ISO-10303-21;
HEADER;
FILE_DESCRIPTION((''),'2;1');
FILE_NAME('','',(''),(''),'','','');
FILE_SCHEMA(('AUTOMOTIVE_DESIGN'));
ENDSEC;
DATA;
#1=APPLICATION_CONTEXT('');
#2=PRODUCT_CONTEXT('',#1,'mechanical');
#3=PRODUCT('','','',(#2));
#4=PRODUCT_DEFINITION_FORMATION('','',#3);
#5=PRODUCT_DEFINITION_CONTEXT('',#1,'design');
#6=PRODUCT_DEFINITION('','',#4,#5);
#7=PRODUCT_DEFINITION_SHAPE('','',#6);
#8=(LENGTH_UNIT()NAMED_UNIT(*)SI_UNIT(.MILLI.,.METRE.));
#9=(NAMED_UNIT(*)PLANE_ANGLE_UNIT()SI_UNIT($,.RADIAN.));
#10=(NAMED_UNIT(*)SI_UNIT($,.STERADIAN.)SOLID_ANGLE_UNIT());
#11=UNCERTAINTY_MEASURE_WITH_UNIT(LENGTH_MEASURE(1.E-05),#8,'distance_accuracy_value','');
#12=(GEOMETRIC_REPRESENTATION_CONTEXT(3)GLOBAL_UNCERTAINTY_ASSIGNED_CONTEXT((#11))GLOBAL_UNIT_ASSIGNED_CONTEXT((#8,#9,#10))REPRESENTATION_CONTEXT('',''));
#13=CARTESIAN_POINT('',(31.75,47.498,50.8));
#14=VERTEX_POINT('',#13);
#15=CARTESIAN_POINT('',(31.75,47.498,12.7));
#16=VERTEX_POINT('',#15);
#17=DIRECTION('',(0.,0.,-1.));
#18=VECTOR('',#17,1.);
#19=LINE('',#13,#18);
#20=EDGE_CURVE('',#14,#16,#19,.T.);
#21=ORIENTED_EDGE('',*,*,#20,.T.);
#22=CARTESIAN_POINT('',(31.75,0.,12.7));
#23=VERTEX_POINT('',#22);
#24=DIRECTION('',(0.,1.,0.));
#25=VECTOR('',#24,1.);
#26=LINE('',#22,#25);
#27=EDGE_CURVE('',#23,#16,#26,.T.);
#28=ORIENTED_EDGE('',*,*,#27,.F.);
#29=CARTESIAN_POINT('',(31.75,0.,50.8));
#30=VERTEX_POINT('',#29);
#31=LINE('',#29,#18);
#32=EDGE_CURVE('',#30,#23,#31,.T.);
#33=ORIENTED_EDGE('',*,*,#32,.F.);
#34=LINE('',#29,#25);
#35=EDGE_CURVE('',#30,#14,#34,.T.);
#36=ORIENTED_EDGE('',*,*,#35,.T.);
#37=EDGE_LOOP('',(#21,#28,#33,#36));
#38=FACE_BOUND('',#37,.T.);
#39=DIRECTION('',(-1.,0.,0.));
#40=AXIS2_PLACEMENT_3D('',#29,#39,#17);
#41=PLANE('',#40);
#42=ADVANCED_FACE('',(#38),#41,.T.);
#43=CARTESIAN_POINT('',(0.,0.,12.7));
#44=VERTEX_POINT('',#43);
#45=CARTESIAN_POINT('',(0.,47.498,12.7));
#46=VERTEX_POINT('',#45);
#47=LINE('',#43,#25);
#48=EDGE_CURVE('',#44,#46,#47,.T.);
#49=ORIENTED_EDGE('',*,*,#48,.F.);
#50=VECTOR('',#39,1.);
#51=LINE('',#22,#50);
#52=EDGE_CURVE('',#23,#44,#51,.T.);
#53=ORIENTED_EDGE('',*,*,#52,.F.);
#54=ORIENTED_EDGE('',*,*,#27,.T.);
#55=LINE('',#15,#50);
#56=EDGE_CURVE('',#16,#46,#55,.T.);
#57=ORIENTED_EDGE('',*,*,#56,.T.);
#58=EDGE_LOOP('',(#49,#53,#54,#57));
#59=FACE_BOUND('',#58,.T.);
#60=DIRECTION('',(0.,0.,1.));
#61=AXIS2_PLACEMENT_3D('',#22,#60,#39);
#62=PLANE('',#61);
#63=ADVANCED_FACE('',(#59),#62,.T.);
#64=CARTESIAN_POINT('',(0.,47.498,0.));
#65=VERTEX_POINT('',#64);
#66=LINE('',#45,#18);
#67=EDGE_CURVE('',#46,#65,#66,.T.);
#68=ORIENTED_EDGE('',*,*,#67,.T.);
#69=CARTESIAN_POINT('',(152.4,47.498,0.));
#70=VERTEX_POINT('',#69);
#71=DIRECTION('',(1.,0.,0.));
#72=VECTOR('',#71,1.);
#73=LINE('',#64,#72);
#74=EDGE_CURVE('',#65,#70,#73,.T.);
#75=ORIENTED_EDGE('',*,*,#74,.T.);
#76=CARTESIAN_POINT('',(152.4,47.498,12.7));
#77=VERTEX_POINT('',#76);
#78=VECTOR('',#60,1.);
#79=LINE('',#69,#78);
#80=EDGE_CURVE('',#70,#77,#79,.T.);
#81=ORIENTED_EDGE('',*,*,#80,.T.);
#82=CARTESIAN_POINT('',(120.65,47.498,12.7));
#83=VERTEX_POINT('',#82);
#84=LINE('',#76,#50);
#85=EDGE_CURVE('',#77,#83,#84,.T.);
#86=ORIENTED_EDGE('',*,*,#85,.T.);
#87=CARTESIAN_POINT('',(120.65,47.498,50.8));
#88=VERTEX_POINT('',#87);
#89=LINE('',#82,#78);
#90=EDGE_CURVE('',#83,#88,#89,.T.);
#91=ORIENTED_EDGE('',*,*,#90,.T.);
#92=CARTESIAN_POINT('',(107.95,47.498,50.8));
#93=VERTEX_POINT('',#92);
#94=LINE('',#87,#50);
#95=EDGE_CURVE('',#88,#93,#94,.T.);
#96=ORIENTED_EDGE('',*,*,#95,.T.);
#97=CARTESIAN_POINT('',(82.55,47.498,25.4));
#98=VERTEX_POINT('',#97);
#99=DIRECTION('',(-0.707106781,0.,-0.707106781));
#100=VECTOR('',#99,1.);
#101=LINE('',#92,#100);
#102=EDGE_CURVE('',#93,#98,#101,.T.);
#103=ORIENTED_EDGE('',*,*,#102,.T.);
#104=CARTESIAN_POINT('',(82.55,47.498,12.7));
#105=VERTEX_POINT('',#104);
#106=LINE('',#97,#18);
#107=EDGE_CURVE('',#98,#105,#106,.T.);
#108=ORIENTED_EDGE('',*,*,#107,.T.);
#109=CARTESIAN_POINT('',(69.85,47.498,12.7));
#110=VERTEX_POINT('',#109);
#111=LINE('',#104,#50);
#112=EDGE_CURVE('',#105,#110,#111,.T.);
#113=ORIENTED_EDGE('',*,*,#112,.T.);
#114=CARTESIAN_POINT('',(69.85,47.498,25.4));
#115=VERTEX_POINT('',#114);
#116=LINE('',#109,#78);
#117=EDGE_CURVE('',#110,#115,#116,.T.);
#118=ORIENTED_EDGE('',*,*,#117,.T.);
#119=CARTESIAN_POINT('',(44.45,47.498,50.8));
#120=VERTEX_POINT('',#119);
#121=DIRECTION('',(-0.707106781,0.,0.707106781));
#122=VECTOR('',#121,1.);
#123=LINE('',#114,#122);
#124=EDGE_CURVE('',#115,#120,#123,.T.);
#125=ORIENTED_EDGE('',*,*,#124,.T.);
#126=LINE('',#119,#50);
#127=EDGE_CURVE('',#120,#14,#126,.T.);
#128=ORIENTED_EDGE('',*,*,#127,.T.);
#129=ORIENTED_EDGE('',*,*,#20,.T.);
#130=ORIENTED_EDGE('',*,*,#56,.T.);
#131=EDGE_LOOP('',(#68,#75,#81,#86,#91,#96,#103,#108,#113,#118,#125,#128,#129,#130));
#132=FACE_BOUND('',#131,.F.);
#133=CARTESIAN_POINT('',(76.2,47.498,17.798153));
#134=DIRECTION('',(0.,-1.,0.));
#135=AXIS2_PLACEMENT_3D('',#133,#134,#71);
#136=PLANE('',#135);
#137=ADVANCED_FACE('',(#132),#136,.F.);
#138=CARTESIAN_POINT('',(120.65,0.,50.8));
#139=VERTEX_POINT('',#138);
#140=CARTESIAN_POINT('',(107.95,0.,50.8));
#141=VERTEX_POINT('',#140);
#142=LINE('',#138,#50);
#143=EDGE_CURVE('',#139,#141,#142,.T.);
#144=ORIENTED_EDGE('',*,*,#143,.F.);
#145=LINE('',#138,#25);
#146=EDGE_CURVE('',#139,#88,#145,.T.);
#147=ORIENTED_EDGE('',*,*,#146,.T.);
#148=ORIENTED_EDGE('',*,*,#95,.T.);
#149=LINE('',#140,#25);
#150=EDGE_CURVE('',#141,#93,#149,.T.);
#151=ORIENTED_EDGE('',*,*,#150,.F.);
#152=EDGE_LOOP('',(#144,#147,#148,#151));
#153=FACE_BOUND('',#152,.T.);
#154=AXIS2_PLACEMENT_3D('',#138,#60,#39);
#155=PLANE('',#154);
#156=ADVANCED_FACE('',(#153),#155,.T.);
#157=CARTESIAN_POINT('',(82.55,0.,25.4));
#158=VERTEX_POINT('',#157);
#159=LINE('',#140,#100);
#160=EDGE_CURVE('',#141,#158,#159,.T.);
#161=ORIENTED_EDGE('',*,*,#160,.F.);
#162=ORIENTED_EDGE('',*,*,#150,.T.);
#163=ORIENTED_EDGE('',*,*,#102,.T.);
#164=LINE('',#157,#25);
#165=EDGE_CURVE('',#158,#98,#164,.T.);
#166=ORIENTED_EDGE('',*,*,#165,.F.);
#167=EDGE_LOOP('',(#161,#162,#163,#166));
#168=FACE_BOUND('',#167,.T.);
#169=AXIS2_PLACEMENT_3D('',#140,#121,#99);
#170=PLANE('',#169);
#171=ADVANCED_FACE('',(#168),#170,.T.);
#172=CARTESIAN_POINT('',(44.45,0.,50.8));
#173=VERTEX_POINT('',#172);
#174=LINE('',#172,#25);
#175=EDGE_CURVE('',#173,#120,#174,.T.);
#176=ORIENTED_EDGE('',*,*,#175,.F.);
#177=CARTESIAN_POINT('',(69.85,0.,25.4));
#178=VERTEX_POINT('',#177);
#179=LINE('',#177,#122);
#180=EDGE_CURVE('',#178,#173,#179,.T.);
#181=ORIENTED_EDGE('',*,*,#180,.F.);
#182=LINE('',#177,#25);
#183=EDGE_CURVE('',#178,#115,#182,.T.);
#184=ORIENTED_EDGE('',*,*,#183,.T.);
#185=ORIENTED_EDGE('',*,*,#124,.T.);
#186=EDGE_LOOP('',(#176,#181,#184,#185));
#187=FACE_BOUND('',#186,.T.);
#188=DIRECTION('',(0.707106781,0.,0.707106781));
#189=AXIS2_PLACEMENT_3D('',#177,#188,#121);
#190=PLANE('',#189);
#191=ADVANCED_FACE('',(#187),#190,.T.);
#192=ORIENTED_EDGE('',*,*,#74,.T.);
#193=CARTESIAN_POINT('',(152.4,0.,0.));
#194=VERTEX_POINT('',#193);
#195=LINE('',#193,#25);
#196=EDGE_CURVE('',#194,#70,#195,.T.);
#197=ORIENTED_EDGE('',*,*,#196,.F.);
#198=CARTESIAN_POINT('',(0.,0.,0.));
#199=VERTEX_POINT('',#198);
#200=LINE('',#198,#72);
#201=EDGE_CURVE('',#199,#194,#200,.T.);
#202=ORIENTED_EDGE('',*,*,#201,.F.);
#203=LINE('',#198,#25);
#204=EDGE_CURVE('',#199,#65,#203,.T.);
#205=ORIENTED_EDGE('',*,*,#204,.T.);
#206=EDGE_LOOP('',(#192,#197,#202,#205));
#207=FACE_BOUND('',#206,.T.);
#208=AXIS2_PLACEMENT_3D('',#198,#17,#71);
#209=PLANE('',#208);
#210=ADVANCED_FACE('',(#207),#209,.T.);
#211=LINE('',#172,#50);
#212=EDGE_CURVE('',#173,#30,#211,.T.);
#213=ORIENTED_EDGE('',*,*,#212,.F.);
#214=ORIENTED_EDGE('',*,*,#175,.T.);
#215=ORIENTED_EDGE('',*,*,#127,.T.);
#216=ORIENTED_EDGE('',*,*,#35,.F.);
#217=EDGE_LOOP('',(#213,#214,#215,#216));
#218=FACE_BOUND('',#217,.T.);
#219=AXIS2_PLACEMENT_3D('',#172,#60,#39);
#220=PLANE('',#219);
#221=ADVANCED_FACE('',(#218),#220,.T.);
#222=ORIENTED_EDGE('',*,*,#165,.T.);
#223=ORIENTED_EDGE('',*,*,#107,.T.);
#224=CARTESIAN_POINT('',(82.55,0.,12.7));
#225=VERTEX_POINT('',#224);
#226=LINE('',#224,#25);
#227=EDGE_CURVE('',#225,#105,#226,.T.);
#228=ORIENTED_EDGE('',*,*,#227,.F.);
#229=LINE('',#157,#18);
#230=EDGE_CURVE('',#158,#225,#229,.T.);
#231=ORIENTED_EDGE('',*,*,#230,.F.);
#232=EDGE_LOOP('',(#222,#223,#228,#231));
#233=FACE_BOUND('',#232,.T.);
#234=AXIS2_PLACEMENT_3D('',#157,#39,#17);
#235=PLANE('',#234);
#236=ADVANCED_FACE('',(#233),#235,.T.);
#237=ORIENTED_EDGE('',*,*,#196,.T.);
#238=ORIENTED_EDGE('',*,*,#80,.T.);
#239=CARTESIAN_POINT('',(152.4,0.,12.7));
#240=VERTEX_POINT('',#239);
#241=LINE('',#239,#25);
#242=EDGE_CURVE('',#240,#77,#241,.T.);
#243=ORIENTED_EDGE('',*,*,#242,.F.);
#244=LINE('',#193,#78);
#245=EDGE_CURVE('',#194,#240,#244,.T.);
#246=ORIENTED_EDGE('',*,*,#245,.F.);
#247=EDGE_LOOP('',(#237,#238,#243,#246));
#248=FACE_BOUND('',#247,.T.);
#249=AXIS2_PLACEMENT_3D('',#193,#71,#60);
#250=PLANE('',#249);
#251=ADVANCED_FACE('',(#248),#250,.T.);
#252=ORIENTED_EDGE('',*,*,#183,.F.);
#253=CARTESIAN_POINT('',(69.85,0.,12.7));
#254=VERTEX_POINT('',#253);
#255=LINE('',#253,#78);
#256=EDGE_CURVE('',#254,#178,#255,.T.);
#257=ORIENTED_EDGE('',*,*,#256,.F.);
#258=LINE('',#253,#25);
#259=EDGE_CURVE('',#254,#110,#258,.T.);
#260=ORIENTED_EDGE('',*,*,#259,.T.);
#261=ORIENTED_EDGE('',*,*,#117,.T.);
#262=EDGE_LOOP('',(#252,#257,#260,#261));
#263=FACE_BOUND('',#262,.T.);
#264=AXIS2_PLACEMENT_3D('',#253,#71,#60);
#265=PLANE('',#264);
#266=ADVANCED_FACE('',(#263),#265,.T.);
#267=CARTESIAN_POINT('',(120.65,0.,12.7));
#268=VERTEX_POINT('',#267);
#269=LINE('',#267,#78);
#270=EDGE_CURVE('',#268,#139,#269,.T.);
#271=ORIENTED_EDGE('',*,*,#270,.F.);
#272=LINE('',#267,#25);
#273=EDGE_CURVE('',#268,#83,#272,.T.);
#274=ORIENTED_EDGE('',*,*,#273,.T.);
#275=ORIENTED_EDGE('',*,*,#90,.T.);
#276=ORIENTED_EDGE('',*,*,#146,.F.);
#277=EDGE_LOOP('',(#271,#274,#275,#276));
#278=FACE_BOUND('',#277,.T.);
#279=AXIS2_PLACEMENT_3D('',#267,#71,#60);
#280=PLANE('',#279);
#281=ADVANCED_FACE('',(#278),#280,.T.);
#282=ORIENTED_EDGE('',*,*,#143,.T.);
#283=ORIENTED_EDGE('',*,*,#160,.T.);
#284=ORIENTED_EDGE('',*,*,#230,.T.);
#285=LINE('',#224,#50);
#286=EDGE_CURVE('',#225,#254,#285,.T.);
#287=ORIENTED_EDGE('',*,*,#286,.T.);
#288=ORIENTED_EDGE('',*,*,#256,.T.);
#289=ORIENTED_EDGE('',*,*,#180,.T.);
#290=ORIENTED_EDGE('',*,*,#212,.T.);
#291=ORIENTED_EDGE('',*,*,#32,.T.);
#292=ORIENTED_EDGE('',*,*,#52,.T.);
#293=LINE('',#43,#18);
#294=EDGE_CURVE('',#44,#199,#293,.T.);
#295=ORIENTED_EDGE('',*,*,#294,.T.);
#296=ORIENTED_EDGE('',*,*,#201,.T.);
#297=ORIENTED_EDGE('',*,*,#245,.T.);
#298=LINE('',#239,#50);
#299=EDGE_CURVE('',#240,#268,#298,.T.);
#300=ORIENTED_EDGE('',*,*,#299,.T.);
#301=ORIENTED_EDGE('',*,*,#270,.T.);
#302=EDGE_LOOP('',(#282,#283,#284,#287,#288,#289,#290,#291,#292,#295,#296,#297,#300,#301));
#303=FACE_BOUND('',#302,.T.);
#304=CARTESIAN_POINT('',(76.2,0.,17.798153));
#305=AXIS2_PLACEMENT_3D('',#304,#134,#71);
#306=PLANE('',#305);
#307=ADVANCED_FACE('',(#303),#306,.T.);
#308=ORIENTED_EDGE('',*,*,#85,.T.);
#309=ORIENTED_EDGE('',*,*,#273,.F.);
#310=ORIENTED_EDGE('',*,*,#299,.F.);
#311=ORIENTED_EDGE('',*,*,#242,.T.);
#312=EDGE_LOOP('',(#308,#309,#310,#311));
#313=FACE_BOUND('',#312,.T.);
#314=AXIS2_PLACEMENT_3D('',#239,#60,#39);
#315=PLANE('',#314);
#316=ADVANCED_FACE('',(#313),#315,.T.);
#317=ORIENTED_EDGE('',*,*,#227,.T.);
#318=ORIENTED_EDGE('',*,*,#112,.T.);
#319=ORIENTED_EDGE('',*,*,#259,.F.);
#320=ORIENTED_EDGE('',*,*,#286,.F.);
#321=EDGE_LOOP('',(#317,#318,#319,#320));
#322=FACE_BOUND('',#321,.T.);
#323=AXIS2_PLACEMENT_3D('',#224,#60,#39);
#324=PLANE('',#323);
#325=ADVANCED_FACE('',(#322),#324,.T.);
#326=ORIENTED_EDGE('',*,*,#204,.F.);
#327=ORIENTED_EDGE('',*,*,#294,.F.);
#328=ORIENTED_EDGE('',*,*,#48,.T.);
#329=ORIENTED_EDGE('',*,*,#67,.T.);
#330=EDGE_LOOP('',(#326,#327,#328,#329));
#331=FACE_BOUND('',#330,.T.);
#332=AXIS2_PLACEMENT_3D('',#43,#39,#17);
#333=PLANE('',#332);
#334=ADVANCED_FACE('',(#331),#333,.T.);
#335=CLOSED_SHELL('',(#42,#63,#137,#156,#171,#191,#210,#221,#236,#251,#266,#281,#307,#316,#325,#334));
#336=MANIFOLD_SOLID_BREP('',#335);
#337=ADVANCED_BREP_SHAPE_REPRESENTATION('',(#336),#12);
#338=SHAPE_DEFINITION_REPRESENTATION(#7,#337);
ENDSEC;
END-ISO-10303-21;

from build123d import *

# Parameters (mm, degrees)
F1_DEPTH = 47.498


with BuildPart() as f1:
    # F0 (on Front) → F1 (new body)
    with BuildSketch(Plane.XZ):
        Polygon((0, 12.7), (0, 0), (31.75, 0), (120.65, 0), (152.4, 0), (152.4, 12.7), (120.65, 12.7), (120.65, 50.8), (107.95, 50.8), (82.55, 25.4), (82.55, 12.7), (69.85, 12.7), (69.85, 25.4), (44.45, 50.8), (31.75, 50.8), (31.75, 12.7), align=None)
    extrude(amount=-F1_DEPTH)


solid = f1.part
